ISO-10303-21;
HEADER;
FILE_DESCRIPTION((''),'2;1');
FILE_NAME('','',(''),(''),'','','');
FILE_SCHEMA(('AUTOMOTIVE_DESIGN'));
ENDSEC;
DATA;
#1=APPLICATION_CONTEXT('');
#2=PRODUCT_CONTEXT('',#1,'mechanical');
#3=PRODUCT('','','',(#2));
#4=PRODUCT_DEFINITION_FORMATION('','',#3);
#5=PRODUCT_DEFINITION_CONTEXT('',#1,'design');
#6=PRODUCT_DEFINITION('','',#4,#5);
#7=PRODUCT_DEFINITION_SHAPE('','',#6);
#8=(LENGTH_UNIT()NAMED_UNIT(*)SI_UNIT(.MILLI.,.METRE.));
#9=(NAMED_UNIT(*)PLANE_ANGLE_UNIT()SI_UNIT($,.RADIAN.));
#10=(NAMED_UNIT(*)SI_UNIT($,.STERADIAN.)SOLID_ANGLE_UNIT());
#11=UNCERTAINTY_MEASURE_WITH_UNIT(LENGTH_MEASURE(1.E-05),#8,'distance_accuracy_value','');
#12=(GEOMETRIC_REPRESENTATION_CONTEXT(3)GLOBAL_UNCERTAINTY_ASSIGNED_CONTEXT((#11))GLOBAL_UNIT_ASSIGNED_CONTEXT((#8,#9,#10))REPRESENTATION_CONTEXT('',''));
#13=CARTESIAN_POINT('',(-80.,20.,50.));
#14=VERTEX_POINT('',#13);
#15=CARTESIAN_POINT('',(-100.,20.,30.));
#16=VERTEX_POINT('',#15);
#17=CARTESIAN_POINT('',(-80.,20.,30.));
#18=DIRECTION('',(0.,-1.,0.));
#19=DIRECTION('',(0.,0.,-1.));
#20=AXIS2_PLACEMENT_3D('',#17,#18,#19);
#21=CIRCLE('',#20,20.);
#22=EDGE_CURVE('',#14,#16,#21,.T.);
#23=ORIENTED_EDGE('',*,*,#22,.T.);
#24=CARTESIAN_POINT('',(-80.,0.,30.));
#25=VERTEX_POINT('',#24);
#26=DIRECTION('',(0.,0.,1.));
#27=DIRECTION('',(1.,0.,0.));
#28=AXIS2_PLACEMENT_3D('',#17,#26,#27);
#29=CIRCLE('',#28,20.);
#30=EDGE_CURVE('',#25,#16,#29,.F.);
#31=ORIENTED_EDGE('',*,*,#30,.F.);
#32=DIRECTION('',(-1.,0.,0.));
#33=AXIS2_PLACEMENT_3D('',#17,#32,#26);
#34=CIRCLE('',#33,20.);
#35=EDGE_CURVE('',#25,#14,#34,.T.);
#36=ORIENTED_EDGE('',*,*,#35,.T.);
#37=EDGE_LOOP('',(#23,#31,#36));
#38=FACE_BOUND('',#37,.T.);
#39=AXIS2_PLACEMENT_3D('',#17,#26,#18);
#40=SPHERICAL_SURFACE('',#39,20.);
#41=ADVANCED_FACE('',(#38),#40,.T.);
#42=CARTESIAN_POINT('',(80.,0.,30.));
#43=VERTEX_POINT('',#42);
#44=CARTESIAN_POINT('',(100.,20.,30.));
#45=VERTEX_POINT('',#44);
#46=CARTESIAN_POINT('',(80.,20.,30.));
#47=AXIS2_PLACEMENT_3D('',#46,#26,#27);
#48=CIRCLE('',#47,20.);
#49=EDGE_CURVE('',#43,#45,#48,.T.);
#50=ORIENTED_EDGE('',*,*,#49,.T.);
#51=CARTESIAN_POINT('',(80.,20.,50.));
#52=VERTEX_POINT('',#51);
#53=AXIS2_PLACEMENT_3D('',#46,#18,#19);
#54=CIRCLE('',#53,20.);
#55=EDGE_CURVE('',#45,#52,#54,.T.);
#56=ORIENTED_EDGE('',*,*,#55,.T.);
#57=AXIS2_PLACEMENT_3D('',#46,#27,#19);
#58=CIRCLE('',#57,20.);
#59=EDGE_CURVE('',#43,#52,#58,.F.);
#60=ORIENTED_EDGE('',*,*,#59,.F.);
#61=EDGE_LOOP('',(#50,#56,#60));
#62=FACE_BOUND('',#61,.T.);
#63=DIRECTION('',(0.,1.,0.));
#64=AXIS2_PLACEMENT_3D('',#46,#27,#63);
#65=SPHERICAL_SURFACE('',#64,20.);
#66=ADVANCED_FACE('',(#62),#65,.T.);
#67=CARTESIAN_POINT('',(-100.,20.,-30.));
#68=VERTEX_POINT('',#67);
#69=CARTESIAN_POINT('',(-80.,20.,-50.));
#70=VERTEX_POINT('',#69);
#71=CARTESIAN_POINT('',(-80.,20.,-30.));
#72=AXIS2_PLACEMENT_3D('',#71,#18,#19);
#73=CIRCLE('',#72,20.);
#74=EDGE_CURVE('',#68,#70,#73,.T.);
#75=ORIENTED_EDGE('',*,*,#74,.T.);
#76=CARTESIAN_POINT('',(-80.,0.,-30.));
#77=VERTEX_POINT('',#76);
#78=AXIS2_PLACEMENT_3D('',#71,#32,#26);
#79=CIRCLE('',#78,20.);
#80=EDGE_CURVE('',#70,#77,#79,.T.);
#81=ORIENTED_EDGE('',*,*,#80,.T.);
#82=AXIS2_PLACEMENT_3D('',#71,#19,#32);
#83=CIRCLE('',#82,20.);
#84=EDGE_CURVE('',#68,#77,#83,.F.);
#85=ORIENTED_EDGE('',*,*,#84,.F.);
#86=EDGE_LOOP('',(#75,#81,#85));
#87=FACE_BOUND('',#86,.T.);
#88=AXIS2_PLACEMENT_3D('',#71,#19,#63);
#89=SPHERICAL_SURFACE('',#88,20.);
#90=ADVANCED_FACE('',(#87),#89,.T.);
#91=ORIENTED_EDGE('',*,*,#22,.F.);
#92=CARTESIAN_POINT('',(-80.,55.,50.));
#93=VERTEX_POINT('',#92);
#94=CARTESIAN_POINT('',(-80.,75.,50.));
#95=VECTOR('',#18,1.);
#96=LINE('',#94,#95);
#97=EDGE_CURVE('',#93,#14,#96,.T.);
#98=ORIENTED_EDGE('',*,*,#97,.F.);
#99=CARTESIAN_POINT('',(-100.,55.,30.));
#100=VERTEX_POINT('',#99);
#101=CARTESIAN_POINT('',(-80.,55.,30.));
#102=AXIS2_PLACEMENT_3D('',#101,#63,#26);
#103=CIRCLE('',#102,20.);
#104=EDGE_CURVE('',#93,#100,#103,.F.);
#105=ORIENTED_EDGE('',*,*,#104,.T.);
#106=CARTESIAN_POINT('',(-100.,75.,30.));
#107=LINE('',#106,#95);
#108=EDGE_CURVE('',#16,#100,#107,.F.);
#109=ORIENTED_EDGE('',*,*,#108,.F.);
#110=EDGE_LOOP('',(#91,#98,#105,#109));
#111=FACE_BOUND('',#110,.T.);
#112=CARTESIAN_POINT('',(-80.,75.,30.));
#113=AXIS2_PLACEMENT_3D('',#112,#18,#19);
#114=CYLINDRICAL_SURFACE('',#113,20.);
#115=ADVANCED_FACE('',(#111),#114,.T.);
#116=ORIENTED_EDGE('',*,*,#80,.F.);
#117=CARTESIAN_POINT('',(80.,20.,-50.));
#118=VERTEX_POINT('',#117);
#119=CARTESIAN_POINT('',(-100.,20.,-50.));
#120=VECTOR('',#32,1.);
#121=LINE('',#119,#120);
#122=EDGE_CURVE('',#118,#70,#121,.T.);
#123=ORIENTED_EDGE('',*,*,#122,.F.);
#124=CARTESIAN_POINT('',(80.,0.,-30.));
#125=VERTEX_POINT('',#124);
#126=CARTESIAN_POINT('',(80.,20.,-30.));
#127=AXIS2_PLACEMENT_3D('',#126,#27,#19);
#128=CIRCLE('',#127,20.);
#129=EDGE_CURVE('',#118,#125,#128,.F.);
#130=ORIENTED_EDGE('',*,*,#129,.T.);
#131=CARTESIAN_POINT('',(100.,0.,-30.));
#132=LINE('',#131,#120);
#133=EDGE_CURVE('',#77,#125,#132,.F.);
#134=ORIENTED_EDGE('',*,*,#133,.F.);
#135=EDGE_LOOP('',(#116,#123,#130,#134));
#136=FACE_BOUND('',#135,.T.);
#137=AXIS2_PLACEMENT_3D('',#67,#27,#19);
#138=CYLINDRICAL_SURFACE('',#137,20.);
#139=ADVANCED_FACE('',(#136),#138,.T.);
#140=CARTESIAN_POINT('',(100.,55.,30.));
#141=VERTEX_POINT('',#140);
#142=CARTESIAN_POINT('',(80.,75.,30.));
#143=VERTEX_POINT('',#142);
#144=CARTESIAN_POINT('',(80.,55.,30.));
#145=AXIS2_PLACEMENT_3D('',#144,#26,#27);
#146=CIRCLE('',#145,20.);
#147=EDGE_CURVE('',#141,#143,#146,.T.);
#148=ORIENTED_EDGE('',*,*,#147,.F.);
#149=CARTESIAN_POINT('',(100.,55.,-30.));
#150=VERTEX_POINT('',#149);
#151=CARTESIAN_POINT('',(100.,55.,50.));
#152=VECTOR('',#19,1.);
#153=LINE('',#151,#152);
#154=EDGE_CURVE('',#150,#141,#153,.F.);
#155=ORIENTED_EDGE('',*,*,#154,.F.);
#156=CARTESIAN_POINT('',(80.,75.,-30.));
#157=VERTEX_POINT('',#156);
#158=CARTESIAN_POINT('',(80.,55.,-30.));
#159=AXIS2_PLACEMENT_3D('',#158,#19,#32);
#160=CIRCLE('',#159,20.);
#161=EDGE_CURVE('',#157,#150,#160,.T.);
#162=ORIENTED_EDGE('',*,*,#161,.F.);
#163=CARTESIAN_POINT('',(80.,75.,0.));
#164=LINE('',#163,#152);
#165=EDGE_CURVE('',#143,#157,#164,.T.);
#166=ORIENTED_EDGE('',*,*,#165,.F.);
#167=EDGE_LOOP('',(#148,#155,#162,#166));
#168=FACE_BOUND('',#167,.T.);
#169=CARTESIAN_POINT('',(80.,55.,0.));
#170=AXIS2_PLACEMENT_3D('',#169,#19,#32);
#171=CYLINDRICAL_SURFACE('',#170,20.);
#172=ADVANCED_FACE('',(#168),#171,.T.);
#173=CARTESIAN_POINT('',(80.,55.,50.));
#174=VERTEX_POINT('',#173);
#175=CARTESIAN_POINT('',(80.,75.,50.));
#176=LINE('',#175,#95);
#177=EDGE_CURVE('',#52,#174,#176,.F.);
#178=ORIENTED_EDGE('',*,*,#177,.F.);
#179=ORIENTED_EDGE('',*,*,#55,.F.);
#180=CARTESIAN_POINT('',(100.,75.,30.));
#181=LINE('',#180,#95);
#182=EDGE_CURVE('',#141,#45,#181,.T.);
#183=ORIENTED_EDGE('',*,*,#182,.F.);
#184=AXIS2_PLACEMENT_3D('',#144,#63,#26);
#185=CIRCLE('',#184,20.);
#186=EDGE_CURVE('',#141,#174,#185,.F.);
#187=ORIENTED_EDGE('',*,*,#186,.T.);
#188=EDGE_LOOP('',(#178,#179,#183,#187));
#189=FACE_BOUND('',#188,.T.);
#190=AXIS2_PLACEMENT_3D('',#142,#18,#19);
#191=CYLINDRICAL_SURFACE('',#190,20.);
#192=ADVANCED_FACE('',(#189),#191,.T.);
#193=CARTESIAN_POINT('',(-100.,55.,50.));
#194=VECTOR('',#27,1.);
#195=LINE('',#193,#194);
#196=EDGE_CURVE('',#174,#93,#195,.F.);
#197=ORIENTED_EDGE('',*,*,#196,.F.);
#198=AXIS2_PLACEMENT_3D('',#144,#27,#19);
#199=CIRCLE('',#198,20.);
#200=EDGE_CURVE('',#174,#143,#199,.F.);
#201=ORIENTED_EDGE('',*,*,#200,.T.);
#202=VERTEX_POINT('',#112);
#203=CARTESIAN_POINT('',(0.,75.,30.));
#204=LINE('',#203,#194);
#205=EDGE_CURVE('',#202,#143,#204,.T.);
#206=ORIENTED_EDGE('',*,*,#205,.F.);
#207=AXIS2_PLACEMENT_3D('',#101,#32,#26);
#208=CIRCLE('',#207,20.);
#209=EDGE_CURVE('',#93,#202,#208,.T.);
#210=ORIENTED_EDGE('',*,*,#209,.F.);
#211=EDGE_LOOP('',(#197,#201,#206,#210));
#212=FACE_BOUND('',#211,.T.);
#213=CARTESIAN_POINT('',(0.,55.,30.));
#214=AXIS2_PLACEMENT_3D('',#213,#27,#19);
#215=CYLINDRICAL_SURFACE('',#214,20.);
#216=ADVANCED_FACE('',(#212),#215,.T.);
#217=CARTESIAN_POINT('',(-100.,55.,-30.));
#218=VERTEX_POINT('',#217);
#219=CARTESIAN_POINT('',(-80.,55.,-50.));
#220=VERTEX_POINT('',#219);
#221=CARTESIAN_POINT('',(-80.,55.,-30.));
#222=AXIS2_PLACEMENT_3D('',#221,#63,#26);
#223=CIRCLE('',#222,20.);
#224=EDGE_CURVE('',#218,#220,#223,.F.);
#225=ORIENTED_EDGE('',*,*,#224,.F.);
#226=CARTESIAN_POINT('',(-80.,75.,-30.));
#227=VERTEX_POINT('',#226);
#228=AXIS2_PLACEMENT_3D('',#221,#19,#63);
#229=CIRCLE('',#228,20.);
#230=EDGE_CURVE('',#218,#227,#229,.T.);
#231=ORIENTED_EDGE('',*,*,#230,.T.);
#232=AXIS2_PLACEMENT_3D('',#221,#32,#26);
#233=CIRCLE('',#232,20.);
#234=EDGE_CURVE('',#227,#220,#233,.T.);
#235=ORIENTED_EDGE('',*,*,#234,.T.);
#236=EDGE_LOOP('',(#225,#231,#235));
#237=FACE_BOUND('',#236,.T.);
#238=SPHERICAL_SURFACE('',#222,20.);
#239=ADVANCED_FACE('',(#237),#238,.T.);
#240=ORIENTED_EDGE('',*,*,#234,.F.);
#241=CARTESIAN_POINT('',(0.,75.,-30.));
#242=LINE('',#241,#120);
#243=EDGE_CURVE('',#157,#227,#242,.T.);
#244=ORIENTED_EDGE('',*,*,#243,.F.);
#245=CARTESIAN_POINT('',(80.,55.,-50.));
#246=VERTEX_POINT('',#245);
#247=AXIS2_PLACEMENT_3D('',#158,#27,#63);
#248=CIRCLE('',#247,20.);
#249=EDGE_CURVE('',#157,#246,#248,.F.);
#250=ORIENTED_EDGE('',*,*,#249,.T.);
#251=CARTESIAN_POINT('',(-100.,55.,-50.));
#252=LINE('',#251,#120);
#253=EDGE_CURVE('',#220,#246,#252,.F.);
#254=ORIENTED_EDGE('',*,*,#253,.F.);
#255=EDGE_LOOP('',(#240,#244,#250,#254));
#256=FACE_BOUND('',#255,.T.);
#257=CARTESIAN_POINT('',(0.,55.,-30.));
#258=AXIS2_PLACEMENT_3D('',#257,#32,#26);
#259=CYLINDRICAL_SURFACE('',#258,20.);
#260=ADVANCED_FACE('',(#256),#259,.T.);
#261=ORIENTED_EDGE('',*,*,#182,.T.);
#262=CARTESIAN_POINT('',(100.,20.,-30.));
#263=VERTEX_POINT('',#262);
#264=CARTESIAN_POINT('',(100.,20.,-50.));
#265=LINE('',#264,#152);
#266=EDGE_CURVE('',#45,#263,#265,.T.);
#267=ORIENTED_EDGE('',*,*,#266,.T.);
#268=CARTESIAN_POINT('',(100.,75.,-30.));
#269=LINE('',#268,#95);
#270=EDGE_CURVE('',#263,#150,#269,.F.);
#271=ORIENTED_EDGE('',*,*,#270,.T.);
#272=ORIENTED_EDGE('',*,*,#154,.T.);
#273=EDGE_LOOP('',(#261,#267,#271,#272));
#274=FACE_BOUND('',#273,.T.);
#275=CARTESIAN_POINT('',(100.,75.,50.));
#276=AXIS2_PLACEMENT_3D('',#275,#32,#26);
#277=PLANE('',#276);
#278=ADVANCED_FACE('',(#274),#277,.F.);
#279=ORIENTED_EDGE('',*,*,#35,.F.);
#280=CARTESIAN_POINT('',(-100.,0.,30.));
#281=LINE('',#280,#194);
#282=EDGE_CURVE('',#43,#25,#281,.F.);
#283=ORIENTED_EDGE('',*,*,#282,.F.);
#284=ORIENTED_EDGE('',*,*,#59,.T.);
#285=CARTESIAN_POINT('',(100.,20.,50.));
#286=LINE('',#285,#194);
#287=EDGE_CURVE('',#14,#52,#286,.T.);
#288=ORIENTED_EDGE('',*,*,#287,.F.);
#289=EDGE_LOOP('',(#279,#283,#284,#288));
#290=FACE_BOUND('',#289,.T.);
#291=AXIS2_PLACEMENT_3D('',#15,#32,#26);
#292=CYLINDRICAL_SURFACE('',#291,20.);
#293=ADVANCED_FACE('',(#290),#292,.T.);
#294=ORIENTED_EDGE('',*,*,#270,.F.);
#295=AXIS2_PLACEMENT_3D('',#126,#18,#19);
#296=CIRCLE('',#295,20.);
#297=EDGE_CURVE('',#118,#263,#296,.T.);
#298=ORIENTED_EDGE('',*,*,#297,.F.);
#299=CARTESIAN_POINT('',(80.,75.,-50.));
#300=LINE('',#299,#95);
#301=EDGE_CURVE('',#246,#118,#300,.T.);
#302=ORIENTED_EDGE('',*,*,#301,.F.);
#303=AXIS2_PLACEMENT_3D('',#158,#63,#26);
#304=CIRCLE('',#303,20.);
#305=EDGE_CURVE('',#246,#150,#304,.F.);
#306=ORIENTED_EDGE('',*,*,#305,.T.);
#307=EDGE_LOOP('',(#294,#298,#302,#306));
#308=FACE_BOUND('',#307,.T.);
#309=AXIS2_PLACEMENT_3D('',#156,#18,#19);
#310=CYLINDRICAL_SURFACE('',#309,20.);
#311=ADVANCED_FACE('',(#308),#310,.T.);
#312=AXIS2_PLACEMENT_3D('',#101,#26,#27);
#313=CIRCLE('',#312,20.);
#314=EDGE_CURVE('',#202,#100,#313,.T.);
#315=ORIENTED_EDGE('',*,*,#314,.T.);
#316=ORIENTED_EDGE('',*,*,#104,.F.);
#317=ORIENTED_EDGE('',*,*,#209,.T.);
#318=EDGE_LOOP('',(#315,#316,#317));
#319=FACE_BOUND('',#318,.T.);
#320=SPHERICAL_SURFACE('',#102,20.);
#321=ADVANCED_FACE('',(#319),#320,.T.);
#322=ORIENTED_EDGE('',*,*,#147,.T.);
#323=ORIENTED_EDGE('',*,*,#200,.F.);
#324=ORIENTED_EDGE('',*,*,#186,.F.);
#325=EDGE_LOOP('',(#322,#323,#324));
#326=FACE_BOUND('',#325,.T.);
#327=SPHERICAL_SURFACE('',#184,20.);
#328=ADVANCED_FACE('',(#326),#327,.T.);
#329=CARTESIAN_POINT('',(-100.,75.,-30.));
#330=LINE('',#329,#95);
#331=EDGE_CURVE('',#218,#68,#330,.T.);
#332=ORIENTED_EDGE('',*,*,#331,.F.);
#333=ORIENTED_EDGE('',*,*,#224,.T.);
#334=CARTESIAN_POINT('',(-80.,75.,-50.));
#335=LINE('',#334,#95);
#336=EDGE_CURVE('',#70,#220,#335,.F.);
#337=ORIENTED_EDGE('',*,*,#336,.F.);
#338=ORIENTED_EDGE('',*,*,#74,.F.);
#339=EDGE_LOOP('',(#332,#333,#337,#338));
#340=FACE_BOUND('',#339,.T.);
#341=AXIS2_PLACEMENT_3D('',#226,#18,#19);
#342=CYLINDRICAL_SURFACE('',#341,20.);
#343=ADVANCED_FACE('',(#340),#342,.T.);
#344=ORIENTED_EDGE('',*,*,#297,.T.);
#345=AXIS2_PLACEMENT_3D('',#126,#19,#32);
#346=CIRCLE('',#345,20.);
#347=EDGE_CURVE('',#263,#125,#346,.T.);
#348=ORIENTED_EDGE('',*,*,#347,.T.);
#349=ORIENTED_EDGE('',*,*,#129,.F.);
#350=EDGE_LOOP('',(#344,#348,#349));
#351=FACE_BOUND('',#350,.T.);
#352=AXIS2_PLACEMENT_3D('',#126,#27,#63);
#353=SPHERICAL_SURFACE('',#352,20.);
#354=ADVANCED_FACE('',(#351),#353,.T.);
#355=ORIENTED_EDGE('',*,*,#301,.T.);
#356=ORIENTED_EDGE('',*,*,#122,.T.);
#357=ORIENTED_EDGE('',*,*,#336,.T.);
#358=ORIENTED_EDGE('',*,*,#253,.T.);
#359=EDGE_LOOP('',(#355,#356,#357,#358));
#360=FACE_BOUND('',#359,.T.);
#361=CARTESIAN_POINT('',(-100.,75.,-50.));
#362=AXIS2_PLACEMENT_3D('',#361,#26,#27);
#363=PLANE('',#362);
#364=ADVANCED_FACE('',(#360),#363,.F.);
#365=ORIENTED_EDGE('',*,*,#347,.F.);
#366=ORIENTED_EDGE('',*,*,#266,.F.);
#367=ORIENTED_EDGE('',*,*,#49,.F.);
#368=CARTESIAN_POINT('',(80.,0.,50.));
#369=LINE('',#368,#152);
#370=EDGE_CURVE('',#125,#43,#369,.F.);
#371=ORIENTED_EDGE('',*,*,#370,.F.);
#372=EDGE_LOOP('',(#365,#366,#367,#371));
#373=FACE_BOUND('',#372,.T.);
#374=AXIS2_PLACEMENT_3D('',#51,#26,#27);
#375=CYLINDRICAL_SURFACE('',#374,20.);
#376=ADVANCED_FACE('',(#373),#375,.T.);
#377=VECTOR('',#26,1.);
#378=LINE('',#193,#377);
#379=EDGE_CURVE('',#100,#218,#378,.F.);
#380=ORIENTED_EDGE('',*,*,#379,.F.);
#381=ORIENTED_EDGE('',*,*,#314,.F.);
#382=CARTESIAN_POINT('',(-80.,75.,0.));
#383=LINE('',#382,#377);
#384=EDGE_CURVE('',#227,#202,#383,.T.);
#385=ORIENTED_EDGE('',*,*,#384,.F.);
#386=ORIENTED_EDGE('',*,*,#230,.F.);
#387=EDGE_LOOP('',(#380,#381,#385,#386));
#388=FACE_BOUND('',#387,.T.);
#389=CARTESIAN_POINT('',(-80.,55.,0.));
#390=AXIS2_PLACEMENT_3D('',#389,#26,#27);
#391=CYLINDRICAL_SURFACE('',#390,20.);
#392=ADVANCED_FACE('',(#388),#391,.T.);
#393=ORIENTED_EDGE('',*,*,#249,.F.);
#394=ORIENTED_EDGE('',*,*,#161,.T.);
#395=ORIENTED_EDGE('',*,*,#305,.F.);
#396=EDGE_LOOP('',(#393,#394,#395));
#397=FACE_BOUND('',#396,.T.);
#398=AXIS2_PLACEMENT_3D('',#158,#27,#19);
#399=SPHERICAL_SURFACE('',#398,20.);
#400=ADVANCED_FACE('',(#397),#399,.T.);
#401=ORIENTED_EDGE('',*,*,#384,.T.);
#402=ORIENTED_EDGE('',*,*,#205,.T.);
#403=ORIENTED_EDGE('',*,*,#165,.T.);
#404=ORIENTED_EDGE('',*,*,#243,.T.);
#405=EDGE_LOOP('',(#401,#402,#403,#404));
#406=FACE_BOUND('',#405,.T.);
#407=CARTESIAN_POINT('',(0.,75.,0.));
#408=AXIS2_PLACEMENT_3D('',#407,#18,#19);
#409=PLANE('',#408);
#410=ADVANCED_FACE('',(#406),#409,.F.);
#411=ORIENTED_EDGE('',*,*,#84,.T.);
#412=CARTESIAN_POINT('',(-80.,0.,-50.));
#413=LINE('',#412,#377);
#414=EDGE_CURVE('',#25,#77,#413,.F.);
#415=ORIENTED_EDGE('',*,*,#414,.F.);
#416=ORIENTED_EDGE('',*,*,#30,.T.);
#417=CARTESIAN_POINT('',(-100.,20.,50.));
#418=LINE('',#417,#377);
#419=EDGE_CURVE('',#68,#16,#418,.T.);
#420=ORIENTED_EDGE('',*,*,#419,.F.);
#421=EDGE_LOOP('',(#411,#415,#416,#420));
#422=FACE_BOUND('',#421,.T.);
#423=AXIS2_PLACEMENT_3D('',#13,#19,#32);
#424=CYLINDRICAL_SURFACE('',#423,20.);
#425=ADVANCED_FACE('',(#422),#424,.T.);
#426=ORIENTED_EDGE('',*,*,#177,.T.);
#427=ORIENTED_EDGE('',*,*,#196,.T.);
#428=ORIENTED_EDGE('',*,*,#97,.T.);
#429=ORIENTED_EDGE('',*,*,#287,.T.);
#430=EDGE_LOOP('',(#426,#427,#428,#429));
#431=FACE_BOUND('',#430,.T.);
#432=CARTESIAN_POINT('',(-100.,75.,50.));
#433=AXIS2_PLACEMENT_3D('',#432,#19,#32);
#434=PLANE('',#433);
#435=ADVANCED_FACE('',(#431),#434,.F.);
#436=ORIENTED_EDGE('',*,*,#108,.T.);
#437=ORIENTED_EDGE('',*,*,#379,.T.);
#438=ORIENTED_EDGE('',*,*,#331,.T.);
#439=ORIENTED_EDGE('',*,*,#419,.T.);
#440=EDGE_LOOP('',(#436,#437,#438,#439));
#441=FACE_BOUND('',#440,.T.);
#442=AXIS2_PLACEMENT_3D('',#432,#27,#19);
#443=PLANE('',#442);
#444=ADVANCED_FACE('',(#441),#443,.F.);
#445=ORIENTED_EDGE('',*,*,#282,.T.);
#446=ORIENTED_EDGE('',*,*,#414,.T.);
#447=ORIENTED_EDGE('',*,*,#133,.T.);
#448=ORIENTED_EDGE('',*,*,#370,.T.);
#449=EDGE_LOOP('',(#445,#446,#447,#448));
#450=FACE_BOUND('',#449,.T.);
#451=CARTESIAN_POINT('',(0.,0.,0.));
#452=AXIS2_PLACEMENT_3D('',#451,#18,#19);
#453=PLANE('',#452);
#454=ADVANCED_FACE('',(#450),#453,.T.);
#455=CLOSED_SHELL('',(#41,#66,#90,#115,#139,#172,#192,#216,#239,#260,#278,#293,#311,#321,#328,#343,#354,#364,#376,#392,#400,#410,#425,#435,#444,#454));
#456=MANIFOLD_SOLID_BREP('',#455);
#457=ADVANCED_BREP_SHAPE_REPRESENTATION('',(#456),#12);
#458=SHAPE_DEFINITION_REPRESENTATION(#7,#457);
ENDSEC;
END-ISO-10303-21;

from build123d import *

# Parameters (mm, degrees)
SKETCH1_W           = 200
SKETCH1_H           = 100
BOSS_EXTRUDE1_DEPTH = 75
FILLET1_R           = 20


with BuildPart() as part:
    # Sketch1 → Boss-Extrude1 (new body)
    with BuildSketch(Plane(origin=(0, 0, 0), x_dir=(1, 0, 0), z_dir=(0, 1, 0))):
        Rectangle(SKETCH1_W, SKETCH1_H)
    extrude(amount=BOSS_EXTRUDE1_DEPTH)

    # Fillet1
    fillet1_edges = [part.edges().sort_by_distance(p)[0] for p in [
        (-100, 75, 0),
        (0, 75, 50),
        (100, 75, 0),
        (0, 0, 50),
        (-100, 0, 0),
        (0, 0, -50),
        (100, 0, 0),
        (100, 37.5, 50),
        (-100, 37.5, 50),
        (-100, 37.5, -50),
        (100, 37.5, -50),
        (0, 75, -50),
    ]]
    fillet(fillet1_edges, radius=FILLET1_R)


solid = part.part
